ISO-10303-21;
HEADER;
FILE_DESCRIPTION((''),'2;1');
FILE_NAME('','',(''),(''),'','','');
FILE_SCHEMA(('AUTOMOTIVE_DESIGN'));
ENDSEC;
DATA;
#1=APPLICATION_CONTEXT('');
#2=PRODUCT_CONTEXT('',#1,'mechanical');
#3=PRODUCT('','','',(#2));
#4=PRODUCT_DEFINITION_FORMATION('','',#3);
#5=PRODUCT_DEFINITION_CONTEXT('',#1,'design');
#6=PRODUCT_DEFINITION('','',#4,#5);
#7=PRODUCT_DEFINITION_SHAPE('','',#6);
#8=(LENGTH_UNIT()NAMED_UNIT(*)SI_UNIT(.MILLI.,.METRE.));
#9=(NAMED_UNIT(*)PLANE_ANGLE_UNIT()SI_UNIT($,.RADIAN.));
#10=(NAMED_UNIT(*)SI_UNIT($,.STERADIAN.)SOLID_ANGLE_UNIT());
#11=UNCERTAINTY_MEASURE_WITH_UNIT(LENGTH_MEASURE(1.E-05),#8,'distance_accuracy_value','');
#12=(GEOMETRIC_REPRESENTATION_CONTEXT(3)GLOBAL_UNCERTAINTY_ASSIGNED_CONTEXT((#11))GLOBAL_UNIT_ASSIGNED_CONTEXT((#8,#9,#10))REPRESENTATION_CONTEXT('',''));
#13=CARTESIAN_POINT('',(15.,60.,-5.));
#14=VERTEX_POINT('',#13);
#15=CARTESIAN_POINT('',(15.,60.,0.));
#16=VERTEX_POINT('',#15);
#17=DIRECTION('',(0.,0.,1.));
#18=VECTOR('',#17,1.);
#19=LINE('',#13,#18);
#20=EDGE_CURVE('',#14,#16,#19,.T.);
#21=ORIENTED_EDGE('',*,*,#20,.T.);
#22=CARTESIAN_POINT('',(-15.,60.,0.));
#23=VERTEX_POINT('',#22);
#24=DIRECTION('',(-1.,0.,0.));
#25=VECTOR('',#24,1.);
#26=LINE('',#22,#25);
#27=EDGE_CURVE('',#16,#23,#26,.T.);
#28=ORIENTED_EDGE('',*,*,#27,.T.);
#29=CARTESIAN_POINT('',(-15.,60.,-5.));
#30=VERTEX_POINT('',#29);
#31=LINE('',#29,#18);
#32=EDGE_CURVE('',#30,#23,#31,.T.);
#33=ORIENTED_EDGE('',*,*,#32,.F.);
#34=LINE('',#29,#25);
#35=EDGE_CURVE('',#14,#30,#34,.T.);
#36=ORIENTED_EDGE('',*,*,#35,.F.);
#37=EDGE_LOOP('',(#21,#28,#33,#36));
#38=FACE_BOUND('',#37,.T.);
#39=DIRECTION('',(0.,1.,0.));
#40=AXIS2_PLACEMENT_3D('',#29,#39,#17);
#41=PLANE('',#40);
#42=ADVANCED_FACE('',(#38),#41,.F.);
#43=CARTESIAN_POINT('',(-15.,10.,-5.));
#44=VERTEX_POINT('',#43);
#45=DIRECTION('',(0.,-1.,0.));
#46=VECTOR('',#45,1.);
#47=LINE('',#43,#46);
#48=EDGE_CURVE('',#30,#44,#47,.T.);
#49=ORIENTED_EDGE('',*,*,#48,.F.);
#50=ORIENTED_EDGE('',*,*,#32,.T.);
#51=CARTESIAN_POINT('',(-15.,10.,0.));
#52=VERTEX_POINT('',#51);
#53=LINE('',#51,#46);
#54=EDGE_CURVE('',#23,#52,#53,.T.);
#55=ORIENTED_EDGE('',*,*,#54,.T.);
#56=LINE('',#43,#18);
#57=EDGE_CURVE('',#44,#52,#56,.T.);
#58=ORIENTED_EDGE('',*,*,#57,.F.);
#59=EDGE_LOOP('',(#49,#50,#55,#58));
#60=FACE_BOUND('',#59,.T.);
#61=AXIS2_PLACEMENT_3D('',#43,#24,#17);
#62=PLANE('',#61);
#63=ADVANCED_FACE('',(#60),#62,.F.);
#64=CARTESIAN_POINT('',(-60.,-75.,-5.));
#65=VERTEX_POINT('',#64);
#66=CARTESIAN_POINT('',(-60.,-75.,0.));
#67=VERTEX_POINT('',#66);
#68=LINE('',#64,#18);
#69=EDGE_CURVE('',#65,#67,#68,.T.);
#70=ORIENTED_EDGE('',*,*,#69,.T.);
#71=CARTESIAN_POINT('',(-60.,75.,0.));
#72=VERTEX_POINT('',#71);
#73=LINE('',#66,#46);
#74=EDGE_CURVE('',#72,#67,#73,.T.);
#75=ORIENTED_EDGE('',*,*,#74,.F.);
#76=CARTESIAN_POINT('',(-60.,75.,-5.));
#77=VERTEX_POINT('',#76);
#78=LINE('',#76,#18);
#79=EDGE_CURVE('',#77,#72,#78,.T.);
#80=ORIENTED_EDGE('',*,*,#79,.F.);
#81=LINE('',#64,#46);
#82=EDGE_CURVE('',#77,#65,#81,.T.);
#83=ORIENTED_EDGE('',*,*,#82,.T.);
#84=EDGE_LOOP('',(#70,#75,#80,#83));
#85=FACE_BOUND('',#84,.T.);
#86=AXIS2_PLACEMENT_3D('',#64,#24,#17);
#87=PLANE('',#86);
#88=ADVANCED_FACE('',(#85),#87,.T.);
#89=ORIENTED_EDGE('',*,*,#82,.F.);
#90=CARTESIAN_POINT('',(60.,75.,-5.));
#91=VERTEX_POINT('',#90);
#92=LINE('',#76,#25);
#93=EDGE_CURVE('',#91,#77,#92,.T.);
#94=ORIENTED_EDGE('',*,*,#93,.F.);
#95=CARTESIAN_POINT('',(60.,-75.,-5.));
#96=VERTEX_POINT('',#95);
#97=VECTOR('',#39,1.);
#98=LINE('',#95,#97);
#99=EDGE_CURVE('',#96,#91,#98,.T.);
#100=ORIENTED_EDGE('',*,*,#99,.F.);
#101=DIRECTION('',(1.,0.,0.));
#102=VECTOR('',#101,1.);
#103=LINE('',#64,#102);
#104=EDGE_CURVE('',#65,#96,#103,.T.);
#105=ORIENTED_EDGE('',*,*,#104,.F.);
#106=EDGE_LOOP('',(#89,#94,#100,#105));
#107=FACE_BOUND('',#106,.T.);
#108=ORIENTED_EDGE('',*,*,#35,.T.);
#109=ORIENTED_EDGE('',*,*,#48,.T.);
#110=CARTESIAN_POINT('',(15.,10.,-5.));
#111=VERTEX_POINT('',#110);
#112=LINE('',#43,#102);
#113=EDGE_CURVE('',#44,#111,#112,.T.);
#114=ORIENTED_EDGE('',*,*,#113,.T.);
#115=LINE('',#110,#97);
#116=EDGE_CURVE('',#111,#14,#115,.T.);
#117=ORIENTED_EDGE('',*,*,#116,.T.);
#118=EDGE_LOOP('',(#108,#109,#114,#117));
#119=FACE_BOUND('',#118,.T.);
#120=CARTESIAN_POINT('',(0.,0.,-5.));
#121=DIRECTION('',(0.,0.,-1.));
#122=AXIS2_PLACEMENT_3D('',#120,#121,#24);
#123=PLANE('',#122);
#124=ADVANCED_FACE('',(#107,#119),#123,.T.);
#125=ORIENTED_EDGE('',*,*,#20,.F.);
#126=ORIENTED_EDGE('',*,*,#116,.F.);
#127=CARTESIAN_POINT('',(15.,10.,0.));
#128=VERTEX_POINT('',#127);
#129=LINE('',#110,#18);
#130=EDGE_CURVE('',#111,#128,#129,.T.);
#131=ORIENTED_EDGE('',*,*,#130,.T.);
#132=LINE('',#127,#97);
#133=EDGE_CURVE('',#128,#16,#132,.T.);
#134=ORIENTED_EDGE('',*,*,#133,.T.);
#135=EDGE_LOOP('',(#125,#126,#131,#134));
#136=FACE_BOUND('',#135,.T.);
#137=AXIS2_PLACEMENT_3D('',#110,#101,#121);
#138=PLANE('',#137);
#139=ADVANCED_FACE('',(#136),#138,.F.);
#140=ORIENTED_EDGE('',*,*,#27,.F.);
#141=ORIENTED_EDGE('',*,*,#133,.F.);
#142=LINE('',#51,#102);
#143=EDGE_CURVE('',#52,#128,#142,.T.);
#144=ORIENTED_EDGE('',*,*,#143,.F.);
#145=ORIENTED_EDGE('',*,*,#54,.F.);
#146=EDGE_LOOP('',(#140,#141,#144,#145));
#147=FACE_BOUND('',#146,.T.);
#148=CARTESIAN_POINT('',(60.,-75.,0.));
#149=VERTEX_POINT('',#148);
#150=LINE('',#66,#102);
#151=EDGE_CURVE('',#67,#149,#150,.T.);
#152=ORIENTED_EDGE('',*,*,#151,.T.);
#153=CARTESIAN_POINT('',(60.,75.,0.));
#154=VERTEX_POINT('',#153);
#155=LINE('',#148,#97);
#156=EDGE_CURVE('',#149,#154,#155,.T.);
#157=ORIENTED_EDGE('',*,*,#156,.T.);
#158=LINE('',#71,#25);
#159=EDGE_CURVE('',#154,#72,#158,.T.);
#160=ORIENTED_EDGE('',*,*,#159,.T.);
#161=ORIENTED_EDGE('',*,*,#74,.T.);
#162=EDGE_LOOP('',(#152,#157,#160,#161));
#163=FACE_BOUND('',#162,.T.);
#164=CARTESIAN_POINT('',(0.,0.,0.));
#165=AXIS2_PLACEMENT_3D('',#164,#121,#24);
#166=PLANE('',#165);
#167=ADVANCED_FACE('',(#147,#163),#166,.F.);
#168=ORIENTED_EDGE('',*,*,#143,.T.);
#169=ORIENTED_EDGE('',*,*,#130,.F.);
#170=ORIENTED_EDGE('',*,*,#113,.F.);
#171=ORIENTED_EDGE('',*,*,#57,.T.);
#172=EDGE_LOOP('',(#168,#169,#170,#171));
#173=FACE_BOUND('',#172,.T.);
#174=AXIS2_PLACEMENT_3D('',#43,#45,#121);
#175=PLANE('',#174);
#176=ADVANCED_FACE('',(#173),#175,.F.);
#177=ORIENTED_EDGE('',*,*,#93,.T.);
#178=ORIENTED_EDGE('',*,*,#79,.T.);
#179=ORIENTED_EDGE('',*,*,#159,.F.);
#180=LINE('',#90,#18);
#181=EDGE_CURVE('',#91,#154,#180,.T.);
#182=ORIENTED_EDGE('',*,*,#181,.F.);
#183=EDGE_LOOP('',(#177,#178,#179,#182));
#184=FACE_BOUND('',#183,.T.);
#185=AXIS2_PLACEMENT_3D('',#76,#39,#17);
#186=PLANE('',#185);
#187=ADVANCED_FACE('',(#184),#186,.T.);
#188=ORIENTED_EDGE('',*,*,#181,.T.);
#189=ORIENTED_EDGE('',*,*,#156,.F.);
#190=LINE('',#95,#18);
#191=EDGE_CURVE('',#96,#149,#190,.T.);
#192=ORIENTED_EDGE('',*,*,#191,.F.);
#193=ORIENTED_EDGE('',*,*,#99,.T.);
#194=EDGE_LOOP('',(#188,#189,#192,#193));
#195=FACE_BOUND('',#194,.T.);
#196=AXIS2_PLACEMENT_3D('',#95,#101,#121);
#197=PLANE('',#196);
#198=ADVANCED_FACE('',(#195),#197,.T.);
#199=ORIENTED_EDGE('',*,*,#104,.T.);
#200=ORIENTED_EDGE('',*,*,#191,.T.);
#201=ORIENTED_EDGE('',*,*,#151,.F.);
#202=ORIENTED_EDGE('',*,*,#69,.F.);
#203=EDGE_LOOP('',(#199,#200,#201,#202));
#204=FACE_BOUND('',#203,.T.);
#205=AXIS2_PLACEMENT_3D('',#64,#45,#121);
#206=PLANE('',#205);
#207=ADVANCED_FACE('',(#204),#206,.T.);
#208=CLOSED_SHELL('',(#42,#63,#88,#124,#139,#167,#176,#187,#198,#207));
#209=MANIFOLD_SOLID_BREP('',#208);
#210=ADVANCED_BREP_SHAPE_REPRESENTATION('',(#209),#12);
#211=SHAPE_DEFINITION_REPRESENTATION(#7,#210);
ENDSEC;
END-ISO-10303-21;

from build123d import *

# Parameters (mm, degrees)
SKETCH1_W           = 120
SKETCH1_H           = 150
SKETCH1_W_2         = 30
SKETCH1_H_2         = 50
BOSS_EXTRUDE1_DEPTH = 5


with BuildPart() as part:
    # Sketch1 → Boss-Extrude1 (new body)
    with BuildSketch(Plane.XY):
        Rectangle(SKETCH1_W, SKETCH1_H)
        with Locations((0, 35)):
            Rectangle(SKETCH1_W_2, SKETCH1_H_2, mode=Mode.SUBTRACT)
    extrude(amount=-BOSS_EXTRUDE1_DEPTH)


solid = part.part
